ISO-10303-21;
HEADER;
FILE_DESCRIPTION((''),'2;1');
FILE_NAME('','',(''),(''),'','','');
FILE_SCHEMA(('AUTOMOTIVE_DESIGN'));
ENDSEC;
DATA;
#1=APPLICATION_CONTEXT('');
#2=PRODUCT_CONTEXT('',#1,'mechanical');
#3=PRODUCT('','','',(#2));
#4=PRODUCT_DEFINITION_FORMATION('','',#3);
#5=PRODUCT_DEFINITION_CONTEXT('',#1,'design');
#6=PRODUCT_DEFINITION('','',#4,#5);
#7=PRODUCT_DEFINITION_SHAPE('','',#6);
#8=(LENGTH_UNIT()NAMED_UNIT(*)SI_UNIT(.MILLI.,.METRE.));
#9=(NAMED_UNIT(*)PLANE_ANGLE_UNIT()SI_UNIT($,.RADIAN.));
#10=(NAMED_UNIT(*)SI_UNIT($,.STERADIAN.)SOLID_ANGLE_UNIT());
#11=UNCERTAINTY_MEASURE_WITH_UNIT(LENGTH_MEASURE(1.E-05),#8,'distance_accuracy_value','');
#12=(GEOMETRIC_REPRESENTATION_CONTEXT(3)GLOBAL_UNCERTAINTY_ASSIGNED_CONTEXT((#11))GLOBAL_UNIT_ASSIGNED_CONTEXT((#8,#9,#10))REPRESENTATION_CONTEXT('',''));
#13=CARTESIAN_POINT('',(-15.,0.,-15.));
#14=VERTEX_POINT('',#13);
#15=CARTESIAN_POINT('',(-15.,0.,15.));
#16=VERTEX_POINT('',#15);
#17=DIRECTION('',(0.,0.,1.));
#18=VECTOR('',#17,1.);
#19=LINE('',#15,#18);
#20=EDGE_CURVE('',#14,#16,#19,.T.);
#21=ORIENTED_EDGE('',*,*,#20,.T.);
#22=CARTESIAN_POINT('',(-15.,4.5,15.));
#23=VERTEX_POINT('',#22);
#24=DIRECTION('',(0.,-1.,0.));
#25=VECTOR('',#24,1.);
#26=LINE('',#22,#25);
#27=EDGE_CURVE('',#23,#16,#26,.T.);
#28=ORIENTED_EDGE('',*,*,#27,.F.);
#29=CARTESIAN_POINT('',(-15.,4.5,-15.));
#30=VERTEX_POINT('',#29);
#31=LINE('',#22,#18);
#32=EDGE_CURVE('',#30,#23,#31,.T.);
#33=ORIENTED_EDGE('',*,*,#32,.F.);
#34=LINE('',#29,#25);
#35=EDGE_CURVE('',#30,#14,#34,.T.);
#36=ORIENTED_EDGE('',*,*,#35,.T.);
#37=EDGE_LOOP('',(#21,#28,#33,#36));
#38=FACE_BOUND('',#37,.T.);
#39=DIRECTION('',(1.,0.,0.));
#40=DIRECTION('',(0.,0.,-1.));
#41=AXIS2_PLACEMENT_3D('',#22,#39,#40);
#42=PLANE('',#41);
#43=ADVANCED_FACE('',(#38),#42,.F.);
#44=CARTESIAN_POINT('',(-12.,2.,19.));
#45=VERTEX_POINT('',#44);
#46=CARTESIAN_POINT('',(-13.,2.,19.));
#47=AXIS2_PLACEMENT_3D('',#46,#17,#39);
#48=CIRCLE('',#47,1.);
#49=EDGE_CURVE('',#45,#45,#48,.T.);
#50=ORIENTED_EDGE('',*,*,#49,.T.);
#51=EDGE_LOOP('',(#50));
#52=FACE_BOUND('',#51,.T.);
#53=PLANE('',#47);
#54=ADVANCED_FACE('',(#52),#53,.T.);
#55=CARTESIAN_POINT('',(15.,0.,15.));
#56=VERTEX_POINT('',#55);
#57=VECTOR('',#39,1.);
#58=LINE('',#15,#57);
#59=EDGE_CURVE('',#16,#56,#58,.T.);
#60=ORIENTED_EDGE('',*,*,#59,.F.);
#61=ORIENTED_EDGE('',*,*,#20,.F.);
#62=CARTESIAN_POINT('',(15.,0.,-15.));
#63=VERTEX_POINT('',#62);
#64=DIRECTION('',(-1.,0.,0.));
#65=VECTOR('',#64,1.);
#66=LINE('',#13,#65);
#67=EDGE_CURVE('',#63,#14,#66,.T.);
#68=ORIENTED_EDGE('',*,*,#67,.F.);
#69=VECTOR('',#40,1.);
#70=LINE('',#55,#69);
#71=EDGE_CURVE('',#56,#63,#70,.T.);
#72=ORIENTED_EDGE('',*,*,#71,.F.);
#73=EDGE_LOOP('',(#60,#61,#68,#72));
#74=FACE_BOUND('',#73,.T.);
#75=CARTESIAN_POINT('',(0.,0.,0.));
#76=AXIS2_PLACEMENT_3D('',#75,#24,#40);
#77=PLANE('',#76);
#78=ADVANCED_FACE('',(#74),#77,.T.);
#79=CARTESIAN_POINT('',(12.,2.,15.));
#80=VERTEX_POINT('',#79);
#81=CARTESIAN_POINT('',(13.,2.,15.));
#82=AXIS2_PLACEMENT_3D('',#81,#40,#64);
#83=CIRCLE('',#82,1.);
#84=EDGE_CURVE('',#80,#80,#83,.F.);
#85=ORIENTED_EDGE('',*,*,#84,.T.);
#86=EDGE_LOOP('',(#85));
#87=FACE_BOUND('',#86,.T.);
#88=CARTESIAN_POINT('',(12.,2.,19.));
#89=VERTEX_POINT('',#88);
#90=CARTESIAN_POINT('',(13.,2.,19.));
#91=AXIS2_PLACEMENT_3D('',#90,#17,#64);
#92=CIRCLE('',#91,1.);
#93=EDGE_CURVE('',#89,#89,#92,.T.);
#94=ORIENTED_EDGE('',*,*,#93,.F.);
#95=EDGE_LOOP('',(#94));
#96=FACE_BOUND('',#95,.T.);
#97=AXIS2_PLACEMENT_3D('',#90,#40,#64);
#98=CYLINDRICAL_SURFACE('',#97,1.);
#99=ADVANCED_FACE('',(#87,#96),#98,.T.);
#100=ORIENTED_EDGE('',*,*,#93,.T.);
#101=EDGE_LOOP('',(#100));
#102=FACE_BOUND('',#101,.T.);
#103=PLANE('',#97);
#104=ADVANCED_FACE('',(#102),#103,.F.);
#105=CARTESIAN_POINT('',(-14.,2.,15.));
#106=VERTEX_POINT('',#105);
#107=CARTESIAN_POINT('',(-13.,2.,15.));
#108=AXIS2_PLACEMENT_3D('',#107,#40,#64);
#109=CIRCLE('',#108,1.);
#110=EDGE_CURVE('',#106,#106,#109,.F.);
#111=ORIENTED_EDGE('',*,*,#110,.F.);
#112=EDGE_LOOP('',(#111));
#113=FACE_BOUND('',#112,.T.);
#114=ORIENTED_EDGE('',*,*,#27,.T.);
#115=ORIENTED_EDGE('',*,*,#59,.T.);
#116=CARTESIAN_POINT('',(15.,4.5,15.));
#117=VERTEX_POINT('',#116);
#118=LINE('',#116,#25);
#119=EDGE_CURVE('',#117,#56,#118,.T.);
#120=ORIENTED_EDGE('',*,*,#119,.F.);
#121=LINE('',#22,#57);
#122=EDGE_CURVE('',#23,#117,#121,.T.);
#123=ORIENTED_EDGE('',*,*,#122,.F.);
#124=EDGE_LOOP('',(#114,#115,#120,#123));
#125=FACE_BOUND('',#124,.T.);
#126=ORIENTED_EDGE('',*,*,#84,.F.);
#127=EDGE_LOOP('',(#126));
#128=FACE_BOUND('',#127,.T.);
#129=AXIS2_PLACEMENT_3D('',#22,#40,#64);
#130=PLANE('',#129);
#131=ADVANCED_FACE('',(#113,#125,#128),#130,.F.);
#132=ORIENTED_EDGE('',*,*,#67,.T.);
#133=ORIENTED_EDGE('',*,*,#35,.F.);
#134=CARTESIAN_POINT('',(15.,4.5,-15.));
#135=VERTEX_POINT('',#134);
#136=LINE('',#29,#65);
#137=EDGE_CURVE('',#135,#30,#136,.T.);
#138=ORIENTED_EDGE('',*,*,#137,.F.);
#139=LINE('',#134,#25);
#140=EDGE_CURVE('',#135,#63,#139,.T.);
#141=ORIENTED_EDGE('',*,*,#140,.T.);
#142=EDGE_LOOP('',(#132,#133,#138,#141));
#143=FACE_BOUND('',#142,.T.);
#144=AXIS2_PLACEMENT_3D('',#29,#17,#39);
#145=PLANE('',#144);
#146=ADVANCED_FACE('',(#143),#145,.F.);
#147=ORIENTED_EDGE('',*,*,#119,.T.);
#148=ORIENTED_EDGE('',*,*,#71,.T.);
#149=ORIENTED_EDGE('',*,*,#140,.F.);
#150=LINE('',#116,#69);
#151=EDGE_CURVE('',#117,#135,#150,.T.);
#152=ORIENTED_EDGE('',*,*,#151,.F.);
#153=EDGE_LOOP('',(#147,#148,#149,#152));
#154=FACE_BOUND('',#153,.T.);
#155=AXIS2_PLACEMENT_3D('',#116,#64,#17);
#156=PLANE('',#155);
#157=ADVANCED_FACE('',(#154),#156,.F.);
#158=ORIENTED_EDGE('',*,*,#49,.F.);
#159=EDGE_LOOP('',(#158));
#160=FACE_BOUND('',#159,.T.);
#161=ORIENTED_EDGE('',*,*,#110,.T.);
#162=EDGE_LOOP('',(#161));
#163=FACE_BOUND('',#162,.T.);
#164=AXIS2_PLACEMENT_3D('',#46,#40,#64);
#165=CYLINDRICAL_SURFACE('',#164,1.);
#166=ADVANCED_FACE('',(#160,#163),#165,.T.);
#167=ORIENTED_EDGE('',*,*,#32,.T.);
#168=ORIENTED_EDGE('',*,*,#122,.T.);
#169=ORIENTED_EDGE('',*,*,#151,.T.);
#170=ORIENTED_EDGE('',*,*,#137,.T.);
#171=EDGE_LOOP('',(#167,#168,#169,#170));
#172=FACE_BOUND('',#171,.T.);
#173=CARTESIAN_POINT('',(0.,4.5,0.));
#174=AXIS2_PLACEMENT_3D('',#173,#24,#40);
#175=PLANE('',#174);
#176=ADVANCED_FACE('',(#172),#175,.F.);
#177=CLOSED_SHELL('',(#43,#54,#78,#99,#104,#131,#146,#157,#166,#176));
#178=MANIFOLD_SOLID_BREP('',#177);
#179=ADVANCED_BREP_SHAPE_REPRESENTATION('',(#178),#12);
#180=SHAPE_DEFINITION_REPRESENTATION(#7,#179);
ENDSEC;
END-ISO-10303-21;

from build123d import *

# Parameters (mm, degrees)
SKETCH1_W           = 30
SKETCH1_H           = 30
BOSS_EXTRUDE1_DEPTH = 4.5
SKETCH2_R           = 1
BOSS_EXTRUDE2_DEPTH = 4


with BuildPart() as part:
    # Sketch1 → Boss-Extrude1 (new body)
    with BuildSketch(Plane(origin=(0, 0, 0), x_dir=(1, 0, 0), z_dir=(0, 1, 0))):
        Rectangle(SKETCH1_W, SKETCH1_H)
    extrude(amount=BOSS_EXTRUDE1_DEPTH)

    # Sketch2 → Boss-Extrude2 (add)
    with BuildSketch(Plane.XY.offset(15)):
        with Locations(Location((-13, 2, 0), (0, 0, 180))):
            Circle(SKETCH2_R)
        with Locations(Location((13, 2, 0), (0, 0, 180))):
            Circle(SKETCH2_R)
    extrude(amount=BOSS_EXTRUDE2_DEPTH)


solid = part.part
